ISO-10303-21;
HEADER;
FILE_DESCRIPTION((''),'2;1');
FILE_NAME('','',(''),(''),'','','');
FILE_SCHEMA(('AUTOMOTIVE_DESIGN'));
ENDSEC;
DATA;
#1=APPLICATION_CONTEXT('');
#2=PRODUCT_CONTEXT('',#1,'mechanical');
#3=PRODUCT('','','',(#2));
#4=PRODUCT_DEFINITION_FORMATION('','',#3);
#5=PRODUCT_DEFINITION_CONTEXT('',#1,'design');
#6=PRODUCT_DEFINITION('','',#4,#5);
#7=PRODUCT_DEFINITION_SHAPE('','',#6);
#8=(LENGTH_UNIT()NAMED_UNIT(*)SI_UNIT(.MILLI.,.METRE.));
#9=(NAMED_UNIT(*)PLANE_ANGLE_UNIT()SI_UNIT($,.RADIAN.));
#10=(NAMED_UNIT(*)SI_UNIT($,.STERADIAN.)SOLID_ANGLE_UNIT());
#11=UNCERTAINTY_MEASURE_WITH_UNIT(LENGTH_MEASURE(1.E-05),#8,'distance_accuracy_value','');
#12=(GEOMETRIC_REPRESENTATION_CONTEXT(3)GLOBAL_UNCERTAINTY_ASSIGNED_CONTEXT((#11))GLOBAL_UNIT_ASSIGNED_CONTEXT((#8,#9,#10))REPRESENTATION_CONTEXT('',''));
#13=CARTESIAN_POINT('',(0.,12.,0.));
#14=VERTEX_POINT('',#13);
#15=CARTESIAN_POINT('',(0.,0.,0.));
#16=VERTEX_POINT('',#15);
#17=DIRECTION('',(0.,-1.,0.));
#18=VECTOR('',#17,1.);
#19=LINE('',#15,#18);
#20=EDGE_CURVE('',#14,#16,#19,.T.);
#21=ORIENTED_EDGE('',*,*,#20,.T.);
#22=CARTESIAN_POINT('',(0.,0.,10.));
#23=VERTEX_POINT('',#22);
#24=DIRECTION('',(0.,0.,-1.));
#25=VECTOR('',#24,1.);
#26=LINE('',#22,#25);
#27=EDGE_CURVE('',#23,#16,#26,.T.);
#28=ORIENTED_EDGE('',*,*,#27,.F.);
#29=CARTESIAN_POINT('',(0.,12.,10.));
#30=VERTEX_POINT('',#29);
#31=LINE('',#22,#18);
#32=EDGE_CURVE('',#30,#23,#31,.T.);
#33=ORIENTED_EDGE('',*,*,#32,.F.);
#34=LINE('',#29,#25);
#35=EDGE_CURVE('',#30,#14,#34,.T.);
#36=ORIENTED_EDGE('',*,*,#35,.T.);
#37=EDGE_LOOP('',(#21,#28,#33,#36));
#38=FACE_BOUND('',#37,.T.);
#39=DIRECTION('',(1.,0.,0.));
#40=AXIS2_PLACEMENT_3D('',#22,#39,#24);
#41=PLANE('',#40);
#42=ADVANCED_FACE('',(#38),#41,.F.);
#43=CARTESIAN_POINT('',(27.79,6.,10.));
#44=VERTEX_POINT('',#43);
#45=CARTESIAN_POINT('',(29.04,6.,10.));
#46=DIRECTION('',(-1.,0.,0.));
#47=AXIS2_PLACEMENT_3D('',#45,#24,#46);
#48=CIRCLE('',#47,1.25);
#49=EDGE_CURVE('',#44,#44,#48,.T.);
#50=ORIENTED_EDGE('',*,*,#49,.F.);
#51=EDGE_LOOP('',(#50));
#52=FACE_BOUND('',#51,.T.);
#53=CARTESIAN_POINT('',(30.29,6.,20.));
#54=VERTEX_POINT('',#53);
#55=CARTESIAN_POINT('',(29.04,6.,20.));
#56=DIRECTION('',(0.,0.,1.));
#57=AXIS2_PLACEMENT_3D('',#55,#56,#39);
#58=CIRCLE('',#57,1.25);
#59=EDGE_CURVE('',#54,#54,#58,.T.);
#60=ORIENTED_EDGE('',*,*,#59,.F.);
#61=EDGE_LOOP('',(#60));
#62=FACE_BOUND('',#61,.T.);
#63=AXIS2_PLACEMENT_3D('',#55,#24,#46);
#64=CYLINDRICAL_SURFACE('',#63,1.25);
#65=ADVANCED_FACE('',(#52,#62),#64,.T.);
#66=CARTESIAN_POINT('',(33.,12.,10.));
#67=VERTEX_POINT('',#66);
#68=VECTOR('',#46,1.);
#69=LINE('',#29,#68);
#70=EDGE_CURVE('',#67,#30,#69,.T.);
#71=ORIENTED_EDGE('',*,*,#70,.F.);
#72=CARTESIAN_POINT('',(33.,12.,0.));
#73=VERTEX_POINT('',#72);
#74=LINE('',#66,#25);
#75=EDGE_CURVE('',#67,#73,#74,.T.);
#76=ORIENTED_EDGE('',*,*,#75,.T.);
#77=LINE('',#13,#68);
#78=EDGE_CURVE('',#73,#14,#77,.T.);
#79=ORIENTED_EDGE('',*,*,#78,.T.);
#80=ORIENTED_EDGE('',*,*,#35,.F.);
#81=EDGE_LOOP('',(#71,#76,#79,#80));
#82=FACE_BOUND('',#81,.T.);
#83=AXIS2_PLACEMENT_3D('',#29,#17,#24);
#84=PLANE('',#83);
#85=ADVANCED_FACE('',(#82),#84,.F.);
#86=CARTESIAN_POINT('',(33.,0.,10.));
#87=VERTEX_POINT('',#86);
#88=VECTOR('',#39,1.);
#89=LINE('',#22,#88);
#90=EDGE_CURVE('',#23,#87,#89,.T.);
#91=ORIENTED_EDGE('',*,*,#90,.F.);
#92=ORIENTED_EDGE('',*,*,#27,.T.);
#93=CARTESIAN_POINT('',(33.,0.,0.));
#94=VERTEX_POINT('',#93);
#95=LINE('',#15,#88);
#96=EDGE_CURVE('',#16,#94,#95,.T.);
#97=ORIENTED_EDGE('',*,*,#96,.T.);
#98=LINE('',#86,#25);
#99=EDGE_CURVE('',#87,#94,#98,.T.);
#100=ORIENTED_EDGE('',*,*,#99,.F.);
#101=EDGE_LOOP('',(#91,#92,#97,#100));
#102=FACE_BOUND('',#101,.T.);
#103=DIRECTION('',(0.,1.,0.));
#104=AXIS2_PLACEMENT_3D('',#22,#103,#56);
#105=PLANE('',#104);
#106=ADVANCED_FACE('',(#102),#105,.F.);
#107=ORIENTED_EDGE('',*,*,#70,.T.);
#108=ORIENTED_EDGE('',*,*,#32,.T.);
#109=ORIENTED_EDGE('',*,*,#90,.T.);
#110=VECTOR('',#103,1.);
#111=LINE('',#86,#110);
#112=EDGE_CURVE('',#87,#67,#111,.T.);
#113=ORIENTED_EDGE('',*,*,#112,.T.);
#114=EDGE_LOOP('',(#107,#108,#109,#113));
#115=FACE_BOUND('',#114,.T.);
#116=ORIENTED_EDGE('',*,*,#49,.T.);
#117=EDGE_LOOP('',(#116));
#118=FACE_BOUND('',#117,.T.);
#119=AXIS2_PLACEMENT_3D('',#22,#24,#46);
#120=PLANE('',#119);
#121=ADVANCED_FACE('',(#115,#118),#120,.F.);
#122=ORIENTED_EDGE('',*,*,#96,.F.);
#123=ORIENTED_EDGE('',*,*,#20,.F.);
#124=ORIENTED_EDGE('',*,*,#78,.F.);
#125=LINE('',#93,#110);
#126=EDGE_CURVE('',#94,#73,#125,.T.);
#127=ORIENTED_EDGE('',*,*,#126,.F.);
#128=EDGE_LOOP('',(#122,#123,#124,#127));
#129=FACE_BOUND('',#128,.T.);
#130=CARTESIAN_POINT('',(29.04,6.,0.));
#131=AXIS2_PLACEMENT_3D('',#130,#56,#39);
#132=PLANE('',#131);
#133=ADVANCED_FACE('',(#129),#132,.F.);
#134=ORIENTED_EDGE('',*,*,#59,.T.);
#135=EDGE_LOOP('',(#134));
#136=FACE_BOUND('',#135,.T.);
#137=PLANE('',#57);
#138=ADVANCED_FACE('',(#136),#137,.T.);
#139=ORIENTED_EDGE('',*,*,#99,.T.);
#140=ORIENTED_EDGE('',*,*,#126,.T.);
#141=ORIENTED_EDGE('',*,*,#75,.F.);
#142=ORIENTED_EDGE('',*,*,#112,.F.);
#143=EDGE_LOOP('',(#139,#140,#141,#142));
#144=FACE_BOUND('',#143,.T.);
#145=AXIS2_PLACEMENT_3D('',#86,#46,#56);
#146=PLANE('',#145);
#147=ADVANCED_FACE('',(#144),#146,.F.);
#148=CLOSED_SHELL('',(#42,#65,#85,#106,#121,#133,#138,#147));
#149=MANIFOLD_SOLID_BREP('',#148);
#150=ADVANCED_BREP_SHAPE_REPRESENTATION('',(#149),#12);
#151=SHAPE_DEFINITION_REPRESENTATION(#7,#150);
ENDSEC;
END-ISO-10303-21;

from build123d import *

# Parameters (mm, degrees)
SKETCH1_R           = 1.25
BOSS_EXTRUDE2_DEPTH = 20
SKETCH1_5_W         = 33
SKETCH1_5_H         = 12
SKETCH1_5_R         = 1.25
BOSS_EXTRUDE3_DEPTH = 10


with BuildPart() as part:
    # Sketch1 → Boss-Extrude2 (new body)
    with BuildSketch(Plane.XY):
        with Locations((29.04, 6)):
            Circle(SKETCH1_R)
    extrude(amount=BOSS_EXTRUDE2_DEPTH)

    # Sketch1<5> → Boss-Extrude3 (add)
    with BuildSketch(Plane.XY):
        with Locations((16.5, 6)):
            Rectangle(SKETCH1_5_W, SKETCH1_5_H)
        with Locations((29.04, 6)):
            Circle(SKETCH1_5_R, mode=Mode.SUBTRACT)
    extrude(amount=BOSS_EXTRUDE3_DEPTH)


solid = part.part
